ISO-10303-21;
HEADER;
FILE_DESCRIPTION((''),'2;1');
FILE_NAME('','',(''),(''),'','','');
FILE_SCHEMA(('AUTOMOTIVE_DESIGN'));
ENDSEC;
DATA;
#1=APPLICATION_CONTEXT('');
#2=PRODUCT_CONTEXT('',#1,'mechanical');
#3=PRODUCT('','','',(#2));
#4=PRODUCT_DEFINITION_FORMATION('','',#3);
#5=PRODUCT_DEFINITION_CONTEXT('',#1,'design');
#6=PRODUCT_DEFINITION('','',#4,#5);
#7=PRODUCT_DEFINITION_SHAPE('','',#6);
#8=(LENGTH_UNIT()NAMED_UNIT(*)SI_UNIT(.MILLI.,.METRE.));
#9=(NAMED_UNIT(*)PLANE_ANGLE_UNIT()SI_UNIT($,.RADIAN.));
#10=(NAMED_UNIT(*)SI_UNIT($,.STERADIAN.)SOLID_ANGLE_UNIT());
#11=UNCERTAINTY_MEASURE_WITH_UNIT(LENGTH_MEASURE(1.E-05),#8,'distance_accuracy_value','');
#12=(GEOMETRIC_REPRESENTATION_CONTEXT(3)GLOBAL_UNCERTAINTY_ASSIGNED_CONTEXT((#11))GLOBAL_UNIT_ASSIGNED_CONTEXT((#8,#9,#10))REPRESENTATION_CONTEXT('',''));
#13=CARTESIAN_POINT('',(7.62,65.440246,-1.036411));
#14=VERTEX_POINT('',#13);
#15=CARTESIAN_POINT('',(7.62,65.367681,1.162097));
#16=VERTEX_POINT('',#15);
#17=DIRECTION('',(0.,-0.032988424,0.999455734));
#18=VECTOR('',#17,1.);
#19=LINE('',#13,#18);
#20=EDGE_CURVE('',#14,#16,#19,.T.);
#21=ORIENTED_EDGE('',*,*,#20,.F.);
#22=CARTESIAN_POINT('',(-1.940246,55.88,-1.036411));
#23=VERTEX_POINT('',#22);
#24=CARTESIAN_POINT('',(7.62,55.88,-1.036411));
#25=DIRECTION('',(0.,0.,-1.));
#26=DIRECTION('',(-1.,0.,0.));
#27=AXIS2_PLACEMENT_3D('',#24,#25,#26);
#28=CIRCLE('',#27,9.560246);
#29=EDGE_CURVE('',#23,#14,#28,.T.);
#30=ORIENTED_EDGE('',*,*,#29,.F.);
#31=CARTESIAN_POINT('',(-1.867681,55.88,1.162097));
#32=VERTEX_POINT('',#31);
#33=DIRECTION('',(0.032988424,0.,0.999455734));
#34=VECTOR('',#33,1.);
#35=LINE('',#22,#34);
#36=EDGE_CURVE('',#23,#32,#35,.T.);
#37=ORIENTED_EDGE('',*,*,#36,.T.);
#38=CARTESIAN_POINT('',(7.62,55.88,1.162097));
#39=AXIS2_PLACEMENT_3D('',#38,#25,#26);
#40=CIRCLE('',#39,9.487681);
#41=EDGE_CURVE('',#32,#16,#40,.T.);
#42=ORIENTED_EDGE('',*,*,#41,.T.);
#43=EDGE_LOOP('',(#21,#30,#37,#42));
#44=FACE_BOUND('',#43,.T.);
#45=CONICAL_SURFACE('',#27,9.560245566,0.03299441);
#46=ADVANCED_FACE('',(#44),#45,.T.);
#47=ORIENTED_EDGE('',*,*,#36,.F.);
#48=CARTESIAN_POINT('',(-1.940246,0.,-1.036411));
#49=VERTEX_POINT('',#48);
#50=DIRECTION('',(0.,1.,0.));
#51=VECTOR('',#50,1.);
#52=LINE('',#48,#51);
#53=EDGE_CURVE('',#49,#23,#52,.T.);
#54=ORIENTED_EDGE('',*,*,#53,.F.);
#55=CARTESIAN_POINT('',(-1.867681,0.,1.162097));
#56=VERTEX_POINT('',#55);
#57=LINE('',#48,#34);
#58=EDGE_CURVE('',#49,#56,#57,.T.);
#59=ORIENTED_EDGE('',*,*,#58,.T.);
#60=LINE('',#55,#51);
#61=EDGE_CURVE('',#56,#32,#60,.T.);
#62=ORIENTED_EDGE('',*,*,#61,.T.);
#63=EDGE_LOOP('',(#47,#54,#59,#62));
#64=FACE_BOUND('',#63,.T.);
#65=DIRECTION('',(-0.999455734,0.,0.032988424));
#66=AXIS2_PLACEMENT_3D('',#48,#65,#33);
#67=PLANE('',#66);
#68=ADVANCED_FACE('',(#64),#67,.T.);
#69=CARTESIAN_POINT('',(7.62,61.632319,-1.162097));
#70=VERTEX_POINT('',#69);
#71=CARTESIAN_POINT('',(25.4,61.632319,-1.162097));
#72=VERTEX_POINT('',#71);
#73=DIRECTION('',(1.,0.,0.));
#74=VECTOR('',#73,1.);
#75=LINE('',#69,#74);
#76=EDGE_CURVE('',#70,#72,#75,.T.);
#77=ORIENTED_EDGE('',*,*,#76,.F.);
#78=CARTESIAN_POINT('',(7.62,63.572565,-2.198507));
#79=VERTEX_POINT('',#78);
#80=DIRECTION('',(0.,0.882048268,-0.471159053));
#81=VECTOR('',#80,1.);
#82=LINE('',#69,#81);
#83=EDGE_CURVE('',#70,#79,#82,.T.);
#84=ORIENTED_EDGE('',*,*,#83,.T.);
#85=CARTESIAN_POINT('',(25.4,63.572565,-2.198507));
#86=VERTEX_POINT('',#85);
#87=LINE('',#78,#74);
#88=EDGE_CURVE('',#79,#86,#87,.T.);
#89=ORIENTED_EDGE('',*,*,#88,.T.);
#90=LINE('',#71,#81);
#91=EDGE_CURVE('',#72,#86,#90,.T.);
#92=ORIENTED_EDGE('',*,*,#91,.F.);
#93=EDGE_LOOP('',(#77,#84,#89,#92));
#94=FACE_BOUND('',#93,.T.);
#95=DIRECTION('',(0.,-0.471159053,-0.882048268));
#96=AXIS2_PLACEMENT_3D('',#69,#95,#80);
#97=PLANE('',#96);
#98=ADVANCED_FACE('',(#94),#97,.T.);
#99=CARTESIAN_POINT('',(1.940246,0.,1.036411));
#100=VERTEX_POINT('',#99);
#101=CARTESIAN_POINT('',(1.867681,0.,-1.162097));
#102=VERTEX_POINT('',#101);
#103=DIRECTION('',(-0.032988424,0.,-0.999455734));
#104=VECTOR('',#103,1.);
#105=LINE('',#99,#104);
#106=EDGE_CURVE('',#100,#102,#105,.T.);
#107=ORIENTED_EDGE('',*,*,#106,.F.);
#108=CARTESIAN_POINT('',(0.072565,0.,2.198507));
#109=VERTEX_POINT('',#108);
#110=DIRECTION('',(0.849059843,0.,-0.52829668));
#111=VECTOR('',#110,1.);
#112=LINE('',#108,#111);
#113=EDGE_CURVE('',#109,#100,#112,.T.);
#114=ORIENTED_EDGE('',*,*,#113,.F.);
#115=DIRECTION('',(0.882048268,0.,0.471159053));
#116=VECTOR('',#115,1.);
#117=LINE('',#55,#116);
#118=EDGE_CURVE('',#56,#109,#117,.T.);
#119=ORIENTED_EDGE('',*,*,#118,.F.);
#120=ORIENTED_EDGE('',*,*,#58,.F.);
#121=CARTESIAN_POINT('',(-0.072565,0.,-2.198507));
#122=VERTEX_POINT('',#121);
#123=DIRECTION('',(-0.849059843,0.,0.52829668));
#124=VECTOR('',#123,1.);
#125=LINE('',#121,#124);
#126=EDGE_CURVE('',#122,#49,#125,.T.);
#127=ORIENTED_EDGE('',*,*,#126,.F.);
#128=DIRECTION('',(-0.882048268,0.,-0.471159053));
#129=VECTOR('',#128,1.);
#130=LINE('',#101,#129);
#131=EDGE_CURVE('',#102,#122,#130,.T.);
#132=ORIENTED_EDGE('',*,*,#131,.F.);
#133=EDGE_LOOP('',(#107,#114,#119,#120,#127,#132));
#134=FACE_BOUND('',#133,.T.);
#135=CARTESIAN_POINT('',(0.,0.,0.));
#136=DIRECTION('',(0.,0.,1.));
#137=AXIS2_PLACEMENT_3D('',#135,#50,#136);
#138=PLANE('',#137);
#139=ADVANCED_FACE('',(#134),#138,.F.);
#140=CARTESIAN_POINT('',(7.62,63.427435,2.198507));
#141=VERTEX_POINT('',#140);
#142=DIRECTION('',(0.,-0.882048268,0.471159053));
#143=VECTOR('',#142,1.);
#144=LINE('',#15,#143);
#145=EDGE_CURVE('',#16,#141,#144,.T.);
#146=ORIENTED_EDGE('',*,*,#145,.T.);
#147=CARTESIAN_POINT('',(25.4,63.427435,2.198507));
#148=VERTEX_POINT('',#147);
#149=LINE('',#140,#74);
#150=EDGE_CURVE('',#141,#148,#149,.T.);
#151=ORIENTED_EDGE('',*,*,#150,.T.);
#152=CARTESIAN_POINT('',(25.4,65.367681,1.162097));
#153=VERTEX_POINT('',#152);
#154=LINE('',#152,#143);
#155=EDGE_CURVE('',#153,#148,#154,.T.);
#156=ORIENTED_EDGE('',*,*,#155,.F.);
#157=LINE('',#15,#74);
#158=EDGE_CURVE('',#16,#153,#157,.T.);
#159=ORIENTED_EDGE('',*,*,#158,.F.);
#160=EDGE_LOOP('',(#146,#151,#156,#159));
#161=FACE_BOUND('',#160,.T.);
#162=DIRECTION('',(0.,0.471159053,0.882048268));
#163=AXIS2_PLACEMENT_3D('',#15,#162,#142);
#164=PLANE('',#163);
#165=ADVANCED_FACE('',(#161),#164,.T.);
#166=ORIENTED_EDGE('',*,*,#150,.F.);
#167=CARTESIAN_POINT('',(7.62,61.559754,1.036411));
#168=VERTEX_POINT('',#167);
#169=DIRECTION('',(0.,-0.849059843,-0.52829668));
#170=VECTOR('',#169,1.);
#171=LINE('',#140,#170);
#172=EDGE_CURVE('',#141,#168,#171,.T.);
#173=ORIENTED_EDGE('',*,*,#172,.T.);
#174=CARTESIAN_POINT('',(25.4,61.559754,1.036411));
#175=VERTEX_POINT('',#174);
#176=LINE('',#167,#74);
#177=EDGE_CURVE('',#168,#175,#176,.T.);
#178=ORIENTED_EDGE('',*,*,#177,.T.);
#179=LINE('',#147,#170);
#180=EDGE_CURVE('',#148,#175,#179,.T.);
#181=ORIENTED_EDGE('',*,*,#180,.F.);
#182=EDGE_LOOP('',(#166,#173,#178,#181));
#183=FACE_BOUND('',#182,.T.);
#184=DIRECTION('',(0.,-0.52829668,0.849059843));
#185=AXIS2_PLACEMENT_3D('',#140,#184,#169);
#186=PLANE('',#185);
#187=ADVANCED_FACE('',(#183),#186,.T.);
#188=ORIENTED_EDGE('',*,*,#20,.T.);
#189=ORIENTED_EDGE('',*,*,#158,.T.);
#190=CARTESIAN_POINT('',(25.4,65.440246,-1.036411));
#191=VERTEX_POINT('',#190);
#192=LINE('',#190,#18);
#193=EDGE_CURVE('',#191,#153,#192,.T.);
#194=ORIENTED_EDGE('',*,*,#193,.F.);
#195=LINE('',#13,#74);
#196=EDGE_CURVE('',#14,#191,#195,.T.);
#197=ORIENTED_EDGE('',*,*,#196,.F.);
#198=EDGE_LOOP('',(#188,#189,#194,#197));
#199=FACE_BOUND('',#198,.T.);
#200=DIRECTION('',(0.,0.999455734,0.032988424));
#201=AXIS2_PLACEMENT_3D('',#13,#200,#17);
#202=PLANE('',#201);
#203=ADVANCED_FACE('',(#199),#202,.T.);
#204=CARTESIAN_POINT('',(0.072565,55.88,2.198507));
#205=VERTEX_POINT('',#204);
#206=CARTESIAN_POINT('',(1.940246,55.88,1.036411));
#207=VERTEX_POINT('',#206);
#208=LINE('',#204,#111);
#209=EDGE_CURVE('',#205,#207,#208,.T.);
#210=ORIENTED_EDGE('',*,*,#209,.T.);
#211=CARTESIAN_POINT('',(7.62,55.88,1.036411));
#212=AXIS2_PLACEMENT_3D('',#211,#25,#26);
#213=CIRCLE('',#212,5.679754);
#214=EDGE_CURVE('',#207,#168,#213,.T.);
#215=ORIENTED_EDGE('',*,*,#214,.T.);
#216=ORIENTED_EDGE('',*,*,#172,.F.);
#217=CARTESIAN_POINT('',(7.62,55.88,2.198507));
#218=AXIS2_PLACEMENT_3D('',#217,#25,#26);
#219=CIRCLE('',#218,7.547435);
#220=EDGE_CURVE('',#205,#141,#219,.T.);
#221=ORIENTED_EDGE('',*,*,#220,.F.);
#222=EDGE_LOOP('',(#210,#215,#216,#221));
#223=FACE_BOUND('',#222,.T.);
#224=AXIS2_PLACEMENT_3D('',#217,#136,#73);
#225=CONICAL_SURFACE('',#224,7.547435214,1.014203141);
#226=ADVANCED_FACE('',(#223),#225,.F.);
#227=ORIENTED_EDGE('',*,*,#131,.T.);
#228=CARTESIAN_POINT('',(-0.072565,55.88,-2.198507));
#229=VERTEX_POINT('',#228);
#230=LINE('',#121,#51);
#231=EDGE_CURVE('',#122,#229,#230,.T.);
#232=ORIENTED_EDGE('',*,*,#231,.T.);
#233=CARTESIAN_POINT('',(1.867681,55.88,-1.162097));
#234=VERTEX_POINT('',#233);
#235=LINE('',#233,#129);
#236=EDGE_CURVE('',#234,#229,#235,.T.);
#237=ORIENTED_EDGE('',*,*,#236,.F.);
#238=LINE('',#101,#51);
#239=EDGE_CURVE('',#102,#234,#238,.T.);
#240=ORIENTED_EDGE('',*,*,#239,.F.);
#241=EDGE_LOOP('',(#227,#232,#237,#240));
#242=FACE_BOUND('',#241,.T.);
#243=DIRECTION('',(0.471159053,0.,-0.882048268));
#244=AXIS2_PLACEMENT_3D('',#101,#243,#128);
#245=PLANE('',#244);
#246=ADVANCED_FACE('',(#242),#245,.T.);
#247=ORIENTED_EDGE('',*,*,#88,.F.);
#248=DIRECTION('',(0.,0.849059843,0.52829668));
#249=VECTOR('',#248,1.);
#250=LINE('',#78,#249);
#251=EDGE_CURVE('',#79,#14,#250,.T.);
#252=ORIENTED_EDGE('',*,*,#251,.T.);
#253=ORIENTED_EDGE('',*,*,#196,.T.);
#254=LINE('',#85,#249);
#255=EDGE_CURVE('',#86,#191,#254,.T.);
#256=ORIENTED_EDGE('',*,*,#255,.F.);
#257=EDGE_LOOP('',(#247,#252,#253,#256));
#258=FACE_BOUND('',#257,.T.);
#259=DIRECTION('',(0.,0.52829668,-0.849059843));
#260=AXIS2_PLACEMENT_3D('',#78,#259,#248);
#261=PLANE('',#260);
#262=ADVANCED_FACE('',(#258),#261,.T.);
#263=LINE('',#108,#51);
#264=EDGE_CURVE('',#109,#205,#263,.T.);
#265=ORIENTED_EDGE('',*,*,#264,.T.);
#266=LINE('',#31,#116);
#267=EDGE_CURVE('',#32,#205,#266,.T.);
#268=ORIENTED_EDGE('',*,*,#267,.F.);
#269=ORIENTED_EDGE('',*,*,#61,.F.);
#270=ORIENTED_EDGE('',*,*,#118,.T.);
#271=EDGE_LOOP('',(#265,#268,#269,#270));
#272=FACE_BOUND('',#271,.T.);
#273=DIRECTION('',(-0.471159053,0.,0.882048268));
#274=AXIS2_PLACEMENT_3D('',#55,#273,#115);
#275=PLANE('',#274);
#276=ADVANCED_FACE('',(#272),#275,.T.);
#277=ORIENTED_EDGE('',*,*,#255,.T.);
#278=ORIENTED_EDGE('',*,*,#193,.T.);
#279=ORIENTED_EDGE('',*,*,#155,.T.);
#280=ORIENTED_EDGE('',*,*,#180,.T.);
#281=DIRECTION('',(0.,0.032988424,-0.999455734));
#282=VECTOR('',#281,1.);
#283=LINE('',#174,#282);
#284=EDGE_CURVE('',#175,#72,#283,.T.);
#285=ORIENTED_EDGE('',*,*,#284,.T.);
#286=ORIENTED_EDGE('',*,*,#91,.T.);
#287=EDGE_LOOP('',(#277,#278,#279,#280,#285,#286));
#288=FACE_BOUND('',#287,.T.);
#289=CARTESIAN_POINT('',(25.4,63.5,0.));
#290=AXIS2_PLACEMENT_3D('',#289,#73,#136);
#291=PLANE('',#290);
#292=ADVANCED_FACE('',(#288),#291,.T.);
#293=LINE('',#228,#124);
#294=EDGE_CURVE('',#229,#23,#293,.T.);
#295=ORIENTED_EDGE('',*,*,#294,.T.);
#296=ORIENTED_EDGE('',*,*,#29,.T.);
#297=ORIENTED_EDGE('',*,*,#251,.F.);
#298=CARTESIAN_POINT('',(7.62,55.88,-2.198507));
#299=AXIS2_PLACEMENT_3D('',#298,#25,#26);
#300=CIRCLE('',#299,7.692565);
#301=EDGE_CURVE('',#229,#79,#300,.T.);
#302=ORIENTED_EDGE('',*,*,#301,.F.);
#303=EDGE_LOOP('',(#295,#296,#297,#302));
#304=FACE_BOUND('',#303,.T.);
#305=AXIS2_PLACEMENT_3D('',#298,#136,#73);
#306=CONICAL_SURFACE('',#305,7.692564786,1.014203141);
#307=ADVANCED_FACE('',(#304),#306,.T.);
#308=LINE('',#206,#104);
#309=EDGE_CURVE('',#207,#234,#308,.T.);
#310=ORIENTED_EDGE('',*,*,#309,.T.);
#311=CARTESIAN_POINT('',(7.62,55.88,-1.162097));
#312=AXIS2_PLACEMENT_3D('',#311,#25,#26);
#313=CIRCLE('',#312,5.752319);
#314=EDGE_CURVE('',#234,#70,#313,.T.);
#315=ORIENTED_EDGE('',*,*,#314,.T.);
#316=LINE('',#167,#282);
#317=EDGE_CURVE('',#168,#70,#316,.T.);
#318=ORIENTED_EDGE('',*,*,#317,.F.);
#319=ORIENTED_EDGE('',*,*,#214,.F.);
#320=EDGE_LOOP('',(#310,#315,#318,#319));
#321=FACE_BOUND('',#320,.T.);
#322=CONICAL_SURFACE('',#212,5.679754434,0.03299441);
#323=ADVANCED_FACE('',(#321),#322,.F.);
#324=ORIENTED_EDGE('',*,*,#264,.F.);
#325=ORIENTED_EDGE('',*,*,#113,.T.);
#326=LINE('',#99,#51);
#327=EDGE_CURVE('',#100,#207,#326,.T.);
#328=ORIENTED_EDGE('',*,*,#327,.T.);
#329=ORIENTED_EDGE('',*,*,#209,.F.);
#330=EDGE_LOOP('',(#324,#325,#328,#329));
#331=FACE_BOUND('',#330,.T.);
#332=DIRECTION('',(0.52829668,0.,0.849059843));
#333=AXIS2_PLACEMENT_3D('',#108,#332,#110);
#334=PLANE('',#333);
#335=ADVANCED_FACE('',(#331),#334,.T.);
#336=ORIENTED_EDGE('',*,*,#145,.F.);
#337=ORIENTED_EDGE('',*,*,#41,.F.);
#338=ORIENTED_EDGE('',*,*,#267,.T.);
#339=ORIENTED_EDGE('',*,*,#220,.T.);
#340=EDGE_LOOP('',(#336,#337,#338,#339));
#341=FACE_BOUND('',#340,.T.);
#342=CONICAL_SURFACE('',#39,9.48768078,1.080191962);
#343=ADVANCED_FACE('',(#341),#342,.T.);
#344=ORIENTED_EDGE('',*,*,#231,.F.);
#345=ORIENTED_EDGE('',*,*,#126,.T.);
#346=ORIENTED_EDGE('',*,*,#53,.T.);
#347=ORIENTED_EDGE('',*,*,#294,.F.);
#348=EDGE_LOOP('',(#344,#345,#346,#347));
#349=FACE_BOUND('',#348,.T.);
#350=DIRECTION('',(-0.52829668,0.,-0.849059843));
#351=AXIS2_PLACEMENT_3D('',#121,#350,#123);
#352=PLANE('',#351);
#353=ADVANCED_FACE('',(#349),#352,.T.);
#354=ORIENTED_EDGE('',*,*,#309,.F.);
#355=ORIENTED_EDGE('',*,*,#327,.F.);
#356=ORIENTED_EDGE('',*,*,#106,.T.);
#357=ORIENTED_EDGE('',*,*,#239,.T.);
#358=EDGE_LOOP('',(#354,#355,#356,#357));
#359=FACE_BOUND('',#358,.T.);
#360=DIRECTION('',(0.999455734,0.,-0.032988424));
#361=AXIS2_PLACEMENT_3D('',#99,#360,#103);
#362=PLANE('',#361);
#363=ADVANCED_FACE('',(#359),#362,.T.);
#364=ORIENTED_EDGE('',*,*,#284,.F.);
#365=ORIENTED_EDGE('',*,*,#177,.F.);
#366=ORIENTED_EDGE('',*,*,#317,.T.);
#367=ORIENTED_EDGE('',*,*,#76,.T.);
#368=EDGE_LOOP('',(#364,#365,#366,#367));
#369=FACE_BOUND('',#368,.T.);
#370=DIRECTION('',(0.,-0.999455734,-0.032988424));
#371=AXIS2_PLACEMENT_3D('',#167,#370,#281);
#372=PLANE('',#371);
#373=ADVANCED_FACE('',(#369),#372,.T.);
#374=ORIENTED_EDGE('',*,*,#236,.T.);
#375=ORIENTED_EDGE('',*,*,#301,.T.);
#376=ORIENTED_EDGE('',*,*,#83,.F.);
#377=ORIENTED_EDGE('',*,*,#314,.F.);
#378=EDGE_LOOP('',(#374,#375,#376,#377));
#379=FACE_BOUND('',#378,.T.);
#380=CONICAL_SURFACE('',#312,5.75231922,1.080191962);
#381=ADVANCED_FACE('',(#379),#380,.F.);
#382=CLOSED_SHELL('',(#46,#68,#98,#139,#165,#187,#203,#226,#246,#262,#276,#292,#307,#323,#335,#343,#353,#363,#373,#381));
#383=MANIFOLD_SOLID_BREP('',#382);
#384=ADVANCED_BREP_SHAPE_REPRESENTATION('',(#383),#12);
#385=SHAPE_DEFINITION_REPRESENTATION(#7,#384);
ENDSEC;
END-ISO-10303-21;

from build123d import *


with BuildPart() as part:
    # Sweep1: sweep along a path in Sketch1
    with BuildLine(Plane.XY) as sweep1_path:
        Line((0, 0), (0, 55.88))
        ThreePointArc((0, 55.88), (2.231846327, 61.268153673), (7.62, 63.5))
        Line((7.62, 63.5), (25.4, 63.5))
    # Sketch2 → Sweep1 (sweep)
    with BuildSketch(Plane(origin=(0, 0, 0), x_dir=(1, 0, 0), z_dir=(0, 1, 0))):
        Polygon((1.86768078, 1.162096599), (-0.072564786, 2.198507301), (-1.940245566, 1.036410702), (-1.86768078, -1.162096599), (0.072564786, -2.198507301), (1.940245566, -1.036410702), align=None)
    sweep(path=sweep1_path.line)


solid = part.part
